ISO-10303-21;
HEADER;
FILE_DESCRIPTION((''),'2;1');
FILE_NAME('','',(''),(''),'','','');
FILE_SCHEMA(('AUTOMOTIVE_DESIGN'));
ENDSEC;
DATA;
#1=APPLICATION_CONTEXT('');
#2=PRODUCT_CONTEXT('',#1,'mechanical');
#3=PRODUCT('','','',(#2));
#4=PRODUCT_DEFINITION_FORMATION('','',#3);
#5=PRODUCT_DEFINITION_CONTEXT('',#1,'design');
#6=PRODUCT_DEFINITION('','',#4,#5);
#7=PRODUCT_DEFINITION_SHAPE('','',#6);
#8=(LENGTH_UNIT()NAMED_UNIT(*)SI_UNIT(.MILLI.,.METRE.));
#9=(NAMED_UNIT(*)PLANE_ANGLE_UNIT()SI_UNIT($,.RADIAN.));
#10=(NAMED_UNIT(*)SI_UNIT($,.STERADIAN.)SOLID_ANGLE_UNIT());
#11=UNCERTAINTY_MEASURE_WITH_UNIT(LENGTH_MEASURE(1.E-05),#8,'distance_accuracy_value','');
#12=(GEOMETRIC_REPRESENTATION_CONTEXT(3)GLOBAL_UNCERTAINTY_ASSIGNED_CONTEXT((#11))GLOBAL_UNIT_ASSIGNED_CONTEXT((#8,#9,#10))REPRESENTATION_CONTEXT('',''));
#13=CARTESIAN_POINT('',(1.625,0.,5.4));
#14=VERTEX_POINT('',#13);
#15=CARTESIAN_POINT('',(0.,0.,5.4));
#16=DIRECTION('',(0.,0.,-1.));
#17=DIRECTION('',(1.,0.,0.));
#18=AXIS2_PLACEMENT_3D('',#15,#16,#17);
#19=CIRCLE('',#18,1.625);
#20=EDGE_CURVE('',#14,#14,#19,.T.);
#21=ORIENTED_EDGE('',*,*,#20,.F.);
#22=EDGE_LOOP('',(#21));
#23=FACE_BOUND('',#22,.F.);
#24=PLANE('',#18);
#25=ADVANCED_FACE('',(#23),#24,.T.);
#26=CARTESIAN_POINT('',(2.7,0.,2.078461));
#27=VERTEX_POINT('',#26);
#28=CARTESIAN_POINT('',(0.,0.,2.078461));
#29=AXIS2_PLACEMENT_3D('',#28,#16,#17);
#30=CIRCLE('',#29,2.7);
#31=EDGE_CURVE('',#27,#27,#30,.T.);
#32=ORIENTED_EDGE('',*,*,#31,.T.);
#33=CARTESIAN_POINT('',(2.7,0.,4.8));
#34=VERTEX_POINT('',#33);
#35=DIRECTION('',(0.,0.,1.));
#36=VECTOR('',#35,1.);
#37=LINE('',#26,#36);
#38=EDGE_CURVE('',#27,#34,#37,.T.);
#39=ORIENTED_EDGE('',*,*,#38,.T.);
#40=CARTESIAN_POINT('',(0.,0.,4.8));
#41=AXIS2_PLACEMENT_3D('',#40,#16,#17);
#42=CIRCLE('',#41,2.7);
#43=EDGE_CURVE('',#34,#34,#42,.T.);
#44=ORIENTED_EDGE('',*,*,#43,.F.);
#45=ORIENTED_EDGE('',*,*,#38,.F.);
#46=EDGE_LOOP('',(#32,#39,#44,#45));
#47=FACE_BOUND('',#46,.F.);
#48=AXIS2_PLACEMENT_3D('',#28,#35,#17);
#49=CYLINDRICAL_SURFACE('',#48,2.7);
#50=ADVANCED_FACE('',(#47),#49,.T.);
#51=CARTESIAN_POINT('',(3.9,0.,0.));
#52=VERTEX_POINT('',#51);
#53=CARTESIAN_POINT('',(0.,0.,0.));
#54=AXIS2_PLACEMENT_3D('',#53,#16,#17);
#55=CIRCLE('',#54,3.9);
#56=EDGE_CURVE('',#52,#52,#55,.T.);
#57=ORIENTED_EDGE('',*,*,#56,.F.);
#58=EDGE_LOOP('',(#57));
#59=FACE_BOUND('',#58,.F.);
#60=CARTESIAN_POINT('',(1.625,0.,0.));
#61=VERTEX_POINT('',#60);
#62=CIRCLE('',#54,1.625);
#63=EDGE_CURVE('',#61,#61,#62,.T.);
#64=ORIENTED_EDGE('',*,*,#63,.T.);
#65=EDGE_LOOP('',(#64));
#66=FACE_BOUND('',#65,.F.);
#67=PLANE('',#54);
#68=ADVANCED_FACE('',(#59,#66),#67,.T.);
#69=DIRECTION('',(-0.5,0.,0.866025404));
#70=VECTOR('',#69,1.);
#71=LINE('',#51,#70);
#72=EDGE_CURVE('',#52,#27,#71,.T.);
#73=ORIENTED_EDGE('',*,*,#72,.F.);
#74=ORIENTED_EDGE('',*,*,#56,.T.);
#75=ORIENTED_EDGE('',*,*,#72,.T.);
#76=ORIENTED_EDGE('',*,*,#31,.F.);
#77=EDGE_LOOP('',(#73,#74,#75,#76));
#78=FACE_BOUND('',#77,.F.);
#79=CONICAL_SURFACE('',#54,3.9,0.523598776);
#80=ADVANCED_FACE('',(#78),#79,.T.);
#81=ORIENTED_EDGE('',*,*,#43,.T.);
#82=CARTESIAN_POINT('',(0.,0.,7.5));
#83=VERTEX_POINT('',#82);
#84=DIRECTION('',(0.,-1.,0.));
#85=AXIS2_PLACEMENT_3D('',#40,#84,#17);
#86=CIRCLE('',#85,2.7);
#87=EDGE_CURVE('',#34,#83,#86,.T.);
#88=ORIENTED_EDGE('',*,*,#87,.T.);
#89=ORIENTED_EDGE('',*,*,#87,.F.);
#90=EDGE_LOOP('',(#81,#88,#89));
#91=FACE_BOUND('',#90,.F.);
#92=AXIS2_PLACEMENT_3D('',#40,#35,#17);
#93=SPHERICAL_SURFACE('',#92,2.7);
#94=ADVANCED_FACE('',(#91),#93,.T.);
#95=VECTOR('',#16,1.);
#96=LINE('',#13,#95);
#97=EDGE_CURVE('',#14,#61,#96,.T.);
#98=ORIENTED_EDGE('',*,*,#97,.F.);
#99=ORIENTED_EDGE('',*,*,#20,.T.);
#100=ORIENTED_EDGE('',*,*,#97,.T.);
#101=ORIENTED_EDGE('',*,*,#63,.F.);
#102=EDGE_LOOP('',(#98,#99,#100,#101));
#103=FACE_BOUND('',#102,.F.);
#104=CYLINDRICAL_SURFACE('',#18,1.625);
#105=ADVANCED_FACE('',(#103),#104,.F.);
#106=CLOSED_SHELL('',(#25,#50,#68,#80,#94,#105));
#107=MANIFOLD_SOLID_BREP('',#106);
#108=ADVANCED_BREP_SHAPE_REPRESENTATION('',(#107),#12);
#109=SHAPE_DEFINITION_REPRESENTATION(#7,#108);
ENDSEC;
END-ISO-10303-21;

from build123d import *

# Parameters (mm, degrees)
F2_SCALE = 3


with BuildPart() as f1:
    # F0 (on Front) → F1 (revolve)
    with BuildSketch(Plane.XZ):
        with BuildLine():
            Line((0.5416666667, 1.8), (0.5416666667, 0))
            Line((0.5416666667, 0), (1.3, 0))
            Line((1.3, 0), (0.9, 0.692820323))
            Line((0.9, 0.692820323), (0.9, 1.6))
            ThreePointArc((0.9, 1.6), (0.6363961031, 2.2363961031), (0, 2.5))
            Line((0, 2.5), (0, 1.8))
            Line((0, 1.8), (0.5416666667, 1.8))
        make_face()
    revolve(axis=Axis((0, 0, 2.15), (0, 0, -1)))


with BuildPart() as f1_1:
    # F2: moved
    add(f1.part.scale(F2_SCALE))


solid = f1_1.part
